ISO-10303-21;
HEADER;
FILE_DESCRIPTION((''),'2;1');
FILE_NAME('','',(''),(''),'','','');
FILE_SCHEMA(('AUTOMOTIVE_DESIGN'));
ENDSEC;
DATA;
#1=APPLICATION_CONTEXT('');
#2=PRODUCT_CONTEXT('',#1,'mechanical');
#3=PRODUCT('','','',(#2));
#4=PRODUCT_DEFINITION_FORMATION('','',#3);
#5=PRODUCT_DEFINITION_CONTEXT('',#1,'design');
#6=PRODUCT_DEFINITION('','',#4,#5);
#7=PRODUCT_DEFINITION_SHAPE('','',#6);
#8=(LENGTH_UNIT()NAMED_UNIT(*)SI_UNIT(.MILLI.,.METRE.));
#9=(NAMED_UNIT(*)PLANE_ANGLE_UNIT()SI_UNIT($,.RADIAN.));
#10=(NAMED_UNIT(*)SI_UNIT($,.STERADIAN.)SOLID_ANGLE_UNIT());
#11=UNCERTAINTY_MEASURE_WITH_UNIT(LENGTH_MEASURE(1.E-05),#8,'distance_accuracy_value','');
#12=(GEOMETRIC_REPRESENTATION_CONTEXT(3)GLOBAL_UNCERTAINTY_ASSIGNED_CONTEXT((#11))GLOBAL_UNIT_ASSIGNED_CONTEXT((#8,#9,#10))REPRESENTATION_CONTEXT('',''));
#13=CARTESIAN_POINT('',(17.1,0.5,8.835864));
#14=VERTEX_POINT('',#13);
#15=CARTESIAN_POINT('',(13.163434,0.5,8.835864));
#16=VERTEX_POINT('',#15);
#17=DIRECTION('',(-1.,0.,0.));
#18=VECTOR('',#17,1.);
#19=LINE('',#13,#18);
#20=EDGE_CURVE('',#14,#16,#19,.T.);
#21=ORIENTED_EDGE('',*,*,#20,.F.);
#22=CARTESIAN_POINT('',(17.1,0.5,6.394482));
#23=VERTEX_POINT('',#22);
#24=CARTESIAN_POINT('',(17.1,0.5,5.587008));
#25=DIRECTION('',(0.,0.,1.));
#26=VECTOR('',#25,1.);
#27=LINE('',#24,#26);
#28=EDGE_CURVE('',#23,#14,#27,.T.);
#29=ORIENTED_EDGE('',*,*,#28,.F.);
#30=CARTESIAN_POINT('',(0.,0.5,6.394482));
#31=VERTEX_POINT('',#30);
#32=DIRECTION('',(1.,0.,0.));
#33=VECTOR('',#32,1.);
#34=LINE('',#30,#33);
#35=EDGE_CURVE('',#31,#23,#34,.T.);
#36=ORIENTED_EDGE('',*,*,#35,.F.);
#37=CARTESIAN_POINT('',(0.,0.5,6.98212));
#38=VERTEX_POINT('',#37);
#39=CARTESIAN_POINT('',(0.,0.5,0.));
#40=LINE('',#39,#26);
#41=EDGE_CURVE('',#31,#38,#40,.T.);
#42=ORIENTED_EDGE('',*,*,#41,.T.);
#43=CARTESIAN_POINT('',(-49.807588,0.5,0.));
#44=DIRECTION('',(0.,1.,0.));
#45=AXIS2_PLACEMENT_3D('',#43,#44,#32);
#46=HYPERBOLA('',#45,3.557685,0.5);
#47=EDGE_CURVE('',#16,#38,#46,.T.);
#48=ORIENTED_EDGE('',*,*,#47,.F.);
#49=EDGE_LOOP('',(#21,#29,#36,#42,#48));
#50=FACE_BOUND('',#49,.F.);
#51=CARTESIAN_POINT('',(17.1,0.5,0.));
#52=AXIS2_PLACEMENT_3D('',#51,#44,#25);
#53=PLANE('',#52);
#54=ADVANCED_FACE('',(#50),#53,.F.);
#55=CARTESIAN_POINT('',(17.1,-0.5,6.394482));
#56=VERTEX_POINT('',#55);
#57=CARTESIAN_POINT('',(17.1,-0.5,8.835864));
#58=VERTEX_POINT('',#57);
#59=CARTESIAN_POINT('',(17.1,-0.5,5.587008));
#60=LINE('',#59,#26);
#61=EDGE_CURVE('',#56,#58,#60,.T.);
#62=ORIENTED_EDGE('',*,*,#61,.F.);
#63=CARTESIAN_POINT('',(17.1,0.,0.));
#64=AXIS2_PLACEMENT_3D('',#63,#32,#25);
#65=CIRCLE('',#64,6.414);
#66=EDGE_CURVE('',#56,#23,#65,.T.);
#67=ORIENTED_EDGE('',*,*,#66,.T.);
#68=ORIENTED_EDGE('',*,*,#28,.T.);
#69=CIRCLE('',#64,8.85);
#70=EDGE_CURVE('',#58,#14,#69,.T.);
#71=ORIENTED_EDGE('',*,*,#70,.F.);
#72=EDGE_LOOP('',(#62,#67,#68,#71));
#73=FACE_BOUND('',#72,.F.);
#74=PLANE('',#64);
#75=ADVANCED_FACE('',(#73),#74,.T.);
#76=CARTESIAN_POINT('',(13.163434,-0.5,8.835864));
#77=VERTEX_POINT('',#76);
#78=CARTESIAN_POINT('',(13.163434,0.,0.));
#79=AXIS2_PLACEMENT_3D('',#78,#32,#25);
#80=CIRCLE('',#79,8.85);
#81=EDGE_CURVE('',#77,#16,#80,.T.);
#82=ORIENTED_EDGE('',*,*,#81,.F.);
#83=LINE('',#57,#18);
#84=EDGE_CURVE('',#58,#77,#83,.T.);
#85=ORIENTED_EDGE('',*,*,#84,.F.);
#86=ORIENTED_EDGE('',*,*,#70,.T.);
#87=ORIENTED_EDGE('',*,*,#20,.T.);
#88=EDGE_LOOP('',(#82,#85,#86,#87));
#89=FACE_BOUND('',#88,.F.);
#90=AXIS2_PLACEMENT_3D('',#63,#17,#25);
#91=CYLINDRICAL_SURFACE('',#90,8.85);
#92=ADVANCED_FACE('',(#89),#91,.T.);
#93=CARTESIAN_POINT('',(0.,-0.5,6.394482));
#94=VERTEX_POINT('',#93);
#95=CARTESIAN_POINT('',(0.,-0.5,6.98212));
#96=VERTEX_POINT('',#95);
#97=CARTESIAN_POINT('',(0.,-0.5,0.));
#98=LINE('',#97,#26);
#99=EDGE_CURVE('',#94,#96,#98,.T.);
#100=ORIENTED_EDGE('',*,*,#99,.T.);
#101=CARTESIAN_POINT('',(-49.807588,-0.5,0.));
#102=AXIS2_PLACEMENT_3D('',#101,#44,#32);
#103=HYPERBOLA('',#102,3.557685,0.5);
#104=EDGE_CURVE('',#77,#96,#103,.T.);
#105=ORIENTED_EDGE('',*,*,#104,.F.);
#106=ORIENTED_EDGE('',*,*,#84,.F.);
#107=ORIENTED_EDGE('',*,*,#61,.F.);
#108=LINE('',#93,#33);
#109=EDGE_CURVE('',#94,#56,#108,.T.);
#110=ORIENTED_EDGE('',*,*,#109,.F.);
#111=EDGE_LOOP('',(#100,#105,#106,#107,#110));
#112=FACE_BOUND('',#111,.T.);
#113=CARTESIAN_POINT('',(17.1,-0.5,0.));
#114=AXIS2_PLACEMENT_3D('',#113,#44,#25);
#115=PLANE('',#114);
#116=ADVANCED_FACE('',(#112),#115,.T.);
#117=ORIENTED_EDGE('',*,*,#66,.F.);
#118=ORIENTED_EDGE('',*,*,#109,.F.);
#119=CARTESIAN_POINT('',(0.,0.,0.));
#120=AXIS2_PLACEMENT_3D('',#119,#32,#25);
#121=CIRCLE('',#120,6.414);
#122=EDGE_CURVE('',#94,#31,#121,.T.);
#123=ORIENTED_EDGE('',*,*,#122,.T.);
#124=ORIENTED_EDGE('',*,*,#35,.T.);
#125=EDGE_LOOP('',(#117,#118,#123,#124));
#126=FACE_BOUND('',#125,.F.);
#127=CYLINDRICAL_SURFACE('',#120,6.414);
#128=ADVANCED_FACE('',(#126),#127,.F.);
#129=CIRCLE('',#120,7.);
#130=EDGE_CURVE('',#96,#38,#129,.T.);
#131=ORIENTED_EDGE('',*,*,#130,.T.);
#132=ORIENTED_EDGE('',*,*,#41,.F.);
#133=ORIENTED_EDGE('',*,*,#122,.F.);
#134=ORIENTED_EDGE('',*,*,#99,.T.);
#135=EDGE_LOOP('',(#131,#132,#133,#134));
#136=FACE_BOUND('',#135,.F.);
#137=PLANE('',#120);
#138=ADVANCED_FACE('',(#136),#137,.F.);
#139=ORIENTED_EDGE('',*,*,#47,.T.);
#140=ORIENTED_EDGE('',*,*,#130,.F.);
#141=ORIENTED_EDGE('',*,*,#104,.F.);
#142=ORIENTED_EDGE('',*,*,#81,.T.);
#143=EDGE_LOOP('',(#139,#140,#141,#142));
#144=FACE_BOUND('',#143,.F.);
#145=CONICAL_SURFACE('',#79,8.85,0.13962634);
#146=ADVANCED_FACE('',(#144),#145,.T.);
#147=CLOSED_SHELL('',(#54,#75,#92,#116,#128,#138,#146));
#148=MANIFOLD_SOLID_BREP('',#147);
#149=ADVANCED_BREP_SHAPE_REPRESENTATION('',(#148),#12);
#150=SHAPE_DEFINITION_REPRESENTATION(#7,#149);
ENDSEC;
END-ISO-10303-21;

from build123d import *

# Parameters (mm, degrees)
F2_W     = 1
F2_H     = 11.174016
F3_DEPTH = 17.101


with BuildPart() as f1:
    # F0 (on Front) → F1 (revolve)
    with BuildSketch(Plane.XZ):
        Polygon((0, 7), (0, 6.414), (17.1, 6.414), (17.1, 8.85), (13.163434, 8.85), align=None)
    revolve(axis=Axis((13.569317, 0, 0), (1, 0, 0)))

    # F2 (on face) → F3 (cut, through all)
    with BuildSketch(Plane.YZ.offset(17.1)):
        with Locations((0, 5.587008)):
            Rectangle(F2_W, F2_H)
    extrude(amount=-F3_DEPTH, mode=Mode.SUBTRACT)


solid = f1.part
